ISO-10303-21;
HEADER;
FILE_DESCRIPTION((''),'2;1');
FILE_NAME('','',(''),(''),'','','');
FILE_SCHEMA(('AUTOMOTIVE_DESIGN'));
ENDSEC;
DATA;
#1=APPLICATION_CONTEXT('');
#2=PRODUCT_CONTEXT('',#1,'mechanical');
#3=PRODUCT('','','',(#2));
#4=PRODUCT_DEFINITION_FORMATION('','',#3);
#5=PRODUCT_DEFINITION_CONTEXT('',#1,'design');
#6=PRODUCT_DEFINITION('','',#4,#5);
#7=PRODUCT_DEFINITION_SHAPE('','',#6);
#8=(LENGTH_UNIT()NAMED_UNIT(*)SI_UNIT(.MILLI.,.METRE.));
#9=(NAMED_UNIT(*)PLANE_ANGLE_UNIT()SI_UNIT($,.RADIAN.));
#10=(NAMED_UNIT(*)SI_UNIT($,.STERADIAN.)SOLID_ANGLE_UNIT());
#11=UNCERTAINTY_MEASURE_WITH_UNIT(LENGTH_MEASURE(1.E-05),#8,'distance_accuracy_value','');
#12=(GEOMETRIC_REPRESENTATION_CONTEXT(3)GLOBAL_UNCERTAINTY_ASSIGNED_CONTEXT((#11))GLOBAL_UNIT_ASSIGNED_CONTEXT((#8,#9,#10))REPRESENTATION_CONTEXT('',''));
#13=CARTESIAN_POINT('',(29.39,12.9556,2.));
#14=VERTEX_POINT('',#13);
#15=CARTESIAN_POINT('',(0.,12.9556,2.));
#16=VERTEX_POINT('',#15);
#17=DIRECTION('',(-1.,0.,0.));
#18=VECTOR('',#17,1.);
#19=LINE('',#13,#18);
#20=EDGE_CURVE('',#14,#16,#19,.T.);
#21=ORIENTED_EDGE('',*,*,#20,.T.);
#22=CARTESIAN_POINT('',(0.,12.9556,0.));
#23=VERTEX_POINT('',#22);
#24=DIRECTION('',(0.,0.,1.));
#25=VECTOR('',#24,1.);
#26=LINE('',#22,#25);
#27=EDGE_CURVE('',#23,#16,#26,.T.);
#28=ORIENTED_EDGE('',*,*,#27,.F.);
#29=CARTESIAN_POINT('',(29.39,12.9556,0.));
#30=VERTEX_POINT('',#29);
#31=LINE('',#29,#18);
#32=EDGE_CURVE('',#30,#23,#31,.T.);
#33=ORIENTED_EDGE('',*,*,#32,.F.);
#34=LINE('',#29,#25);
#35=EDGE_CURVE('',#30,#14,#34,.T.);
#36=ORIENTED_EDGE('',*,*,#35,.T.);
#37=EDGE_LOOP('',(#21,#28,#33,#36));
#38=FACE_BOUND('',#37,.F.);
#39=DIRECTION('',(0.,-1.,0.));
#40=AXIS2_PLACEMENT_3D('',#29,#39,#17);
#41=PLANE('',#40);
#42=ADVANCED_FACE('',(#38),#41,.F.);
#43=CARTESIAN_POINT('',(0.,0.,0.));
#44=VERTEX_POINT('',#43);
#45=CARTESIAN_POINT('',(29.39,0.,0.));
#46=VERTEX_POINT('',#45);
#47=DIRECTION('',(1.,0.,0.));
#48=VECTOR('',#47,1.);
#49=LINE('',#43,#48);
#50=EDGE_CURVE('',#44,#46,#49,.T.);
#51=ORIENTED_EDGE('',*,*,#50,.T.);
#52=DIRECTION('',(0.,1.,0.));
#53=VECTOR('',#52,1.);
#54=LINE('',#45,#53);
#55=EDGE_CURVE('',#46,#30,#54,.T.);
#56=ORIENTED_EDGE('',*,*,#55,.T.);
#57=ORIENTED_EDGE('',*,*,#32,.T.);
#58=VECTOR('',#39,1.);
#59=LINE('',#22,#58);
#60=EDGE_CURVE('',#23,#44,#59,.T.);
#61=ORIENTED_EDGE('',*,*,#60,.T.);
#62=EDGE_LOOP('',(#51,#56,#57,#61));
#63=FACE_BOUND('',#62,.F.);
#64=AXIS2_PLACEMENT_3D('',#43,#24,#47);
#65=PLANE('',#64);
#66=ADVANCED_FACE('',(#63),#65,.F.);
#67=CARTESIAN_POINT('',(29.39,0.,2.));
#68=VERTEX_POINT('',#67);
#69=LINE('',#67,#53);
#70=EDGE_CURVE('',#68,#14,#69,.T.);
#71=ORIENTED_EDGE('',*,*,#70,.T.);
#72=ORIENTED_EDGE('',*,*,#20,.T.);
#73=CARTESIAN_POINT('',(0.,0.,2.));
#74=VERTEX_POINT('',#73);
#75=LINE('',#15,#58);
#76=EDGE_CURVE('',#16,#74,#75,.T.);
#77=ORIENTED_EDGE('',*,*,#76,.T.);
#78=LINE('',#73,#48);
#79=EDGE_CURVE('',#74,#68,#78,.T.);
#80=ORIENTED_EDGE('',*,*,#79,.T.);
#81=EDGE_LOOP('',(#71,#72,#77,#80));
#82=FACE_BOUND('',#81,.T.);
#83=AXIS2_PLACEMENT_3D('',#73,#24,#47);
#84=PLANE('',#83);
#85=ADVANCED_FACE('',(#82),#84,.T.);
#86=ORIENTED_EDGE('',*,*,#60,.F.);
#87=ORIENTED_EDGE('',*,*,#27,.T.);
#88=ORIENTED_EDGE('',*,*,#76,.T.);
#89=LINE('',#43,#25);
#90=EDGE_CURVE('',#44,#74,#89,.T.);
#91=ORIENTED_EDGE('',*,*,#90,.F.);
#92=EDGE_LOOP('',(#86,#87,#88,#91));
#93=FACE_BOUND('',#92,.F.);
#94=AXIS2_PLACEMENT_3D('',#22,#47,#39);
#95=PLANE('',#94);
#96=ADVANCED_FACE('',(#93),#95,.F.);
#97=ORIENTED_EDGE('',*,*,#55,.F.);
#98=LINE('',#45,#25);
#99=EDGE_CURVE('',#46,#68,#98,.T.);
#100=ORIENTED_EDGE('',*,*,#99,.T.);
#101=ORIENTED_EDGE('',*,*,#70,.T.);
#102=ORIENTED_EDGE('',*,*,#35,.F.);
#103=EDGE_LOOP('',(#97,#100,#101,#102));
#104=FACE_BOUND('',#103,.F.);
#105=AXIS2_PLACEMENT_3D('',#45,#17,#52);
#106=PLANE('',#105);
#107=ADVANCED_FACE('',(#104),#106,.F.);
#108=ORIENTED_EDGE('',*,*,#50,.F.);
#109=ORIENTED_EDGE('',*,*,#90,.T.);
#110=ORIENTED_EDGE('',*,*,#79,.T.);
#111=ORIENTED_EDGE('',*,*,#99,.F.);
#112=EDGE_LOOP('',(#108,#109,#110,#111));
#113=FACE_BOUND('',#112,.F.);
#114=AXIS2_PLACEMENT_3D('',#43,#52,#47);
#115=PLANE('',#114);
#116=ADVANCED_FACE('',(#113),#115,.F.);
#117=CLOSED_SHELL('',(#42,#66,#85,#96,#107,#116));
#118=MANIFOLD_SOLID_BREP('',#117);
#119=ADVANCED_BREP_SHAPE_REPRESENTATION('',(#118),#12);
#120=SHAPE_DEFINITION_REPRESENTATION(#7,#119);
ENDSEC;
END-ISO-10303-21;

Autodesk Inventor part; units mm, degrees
ref_plane "YZ Plane" through (0, 0, 0) normal (1, 0, 0) x (0, 1, 0)
ref_plane "XZ Plane" through (0, 0, 0) normal (0, 1, 0) x (-1, 0, 0)
ref_plane "XY Plane" through (0, 0, 0) normal (0, 0, 1) x (1, 0, 0)
sketch "Sketch1" plane through (0, 0, 0) normal (0, 0, 1) x (1, 0, 0)
  line L0 (0, 0) -> (29.39, 0)
  line L1 (29.39, 0) -> (29.39, 12.9556)
  line L2 (29.39, 12.9556) -> (0, 12.9556)
  line L3 (0, 12.9556) -> (0, 0)
extrude "Extrusion1" add sketch "Sketch1" along normal blind 2
